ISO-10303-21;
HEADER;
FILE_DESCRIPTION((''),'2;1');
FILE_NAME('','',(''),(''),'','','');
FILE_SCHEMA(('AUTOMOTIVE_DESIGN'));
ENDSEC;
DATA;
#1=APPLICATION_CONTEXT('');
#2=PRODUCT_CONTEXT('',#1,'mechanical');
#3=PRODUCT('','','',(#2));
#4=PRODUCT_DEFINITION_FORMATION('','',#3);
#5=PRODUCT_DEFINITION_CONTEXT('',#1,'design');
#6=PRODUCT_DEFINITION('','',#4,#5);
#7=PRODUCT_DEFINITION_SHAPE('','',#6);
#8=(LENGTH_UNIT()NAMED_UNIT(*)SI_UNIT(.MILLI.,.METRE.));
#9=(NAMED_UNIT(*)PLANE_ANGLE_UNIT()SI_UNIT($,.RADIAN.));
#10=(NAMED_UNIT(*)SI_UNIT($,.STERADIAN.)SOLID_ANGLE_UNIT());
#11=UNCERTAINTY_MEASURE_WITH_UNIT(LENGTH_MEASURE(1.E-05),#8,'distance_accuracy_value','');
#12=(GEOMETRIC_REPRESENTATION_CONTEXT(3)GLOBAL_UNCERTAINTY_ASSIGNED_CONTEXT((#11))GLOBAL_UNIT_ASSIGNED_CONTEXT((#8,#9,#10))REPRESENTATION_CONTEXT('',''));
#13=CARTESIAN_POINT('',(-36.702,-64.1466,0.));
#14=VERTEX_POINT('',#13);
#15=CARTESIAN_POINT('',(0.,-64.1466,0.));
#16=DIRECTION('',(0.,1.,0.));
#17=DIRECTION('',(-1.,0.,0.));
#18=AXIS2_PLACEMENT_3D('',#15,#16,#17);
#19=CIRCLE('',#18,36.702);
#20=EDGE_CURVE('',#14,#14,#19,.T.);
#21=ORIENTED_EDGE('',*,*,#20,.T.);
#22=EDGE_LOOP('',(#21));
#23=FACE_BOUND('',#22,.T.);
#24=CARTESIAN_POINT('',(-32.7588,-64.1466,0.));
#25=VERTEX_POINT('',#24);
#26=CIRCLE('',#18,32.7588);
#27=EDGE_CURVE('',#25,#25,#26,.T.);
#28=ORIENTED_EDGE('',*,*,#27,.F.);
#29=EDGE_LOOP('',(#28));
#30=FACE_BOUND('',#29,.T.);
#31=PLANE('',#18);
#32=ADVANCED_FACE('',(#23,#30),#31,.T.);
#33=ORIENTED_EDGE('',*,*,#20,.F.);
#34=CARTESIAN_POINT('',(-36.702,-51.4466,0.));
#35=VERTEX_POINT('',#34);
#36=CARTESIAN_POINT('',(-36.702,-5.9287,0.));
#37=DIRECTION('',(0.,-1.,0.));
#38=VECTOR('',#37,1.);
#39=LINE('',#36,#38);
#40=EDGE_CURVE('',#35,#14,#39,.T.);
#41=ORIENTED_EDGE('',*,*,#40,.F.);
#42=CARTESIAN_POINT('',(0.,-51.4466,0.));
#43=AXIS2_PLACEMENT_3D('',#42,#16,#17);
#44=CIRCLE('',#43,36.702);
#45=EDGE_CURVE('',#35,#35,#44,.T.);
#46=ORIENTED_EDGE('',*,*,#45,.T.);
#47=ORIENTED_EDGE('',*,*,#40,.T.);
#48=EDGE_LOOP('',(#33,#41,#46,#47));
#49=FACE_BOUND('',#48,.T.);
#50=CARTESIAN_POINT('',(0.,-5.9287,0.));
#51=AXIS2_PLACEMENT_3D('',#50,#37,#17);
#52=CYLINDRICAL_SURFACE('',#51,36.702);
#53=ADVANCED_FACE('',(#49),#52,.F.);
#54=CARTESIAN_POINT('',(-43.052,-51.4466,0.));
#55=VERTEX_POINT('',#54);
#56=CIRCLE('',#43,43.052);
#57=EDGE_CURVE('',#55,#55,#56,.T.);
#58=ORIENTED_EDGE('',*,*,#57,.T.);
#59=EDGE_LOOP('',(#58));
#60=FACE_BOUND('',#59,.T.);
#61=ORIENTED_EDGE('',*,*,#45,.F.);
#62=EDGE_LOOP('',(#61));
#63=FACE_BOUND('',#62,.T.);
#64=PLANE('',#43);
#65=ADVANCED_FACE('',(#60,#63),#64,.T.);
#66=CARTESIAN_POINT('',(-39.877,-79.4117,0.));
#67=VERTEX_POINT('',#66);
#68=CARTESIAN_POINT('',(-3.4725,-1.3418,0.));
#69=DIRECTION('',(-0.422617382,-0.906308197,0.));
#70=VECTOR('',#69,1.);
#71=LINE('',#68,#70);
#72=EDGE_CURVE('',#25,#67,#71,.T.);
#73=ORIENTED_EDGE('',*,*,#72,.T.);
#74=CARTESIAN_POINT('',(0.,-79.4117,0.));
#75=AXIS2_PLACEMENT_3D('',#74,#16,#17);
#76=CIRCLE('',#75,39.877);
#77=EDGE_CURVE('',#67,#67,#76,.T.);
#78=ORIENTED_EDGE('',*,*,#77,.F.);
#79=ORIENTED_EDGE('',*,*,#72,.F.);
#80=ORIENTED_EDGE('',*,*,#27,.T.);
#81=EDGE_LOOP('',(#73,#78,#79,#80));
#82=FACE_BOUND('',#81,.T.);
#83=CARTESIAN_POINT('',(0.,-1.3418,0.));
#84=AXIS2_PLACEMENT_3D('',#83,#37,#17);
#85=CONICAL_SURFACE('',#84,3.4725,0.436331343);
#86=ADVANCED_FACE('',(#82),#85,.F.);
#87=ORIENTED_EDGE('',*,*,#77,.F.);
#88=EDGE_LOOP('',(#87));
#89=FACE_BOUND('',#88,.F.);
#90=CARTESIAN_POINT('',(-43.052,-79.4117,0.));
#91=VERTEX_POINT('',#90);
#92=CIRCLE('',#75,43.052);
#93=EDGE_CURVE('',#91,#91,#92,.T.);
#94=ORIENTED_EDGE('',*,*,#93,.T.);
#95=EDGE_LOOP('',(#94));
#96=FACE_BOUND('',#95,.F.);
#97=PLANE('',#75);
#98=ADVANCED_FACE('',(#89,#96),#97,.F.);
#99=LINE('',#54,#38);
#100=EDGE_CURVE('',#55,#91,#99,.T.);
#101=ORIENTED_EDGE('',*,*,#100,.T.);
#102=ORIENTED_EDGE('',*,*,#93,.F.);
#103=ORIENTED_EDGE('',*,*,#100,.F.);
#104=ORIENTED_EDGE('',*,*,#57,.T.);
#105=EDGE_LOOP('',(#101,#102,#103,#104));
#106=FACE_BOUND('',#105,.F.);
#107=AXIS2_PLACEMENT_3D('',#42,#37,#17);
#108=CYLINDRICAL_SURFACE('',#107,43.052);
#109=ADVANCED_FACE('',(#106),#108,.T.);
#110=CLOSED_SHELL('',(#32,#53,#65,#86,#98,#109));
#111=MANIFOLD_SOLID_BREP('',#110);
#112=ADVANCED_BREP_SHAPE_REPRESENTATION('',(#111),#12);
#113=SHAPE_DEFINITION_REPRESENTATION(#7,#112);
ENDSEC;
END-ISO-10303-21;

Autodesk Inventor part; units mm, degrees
ref_plane "YZ Plane" through (0, 0, 0) normal (1, 0, 0) x (0, 1, 0)
ref_plane "XZ Plane" through (0, 0, 0) normal (0, 1, 0) x (-1, 0, 0)
ref_plane "XY Plane" through (0, 0, 0) normal (0, 0, 1) x (1, 0, 0)
sketch "Sketch1" plane through (0, 0, 0) normal (0, 0, 1) x (1, 0, 0)
  line L0 (-24.002, 6.35) -> (-17.7813, 6.35)
  line L1 (-43.052, 13.1213) -> (-5.5282, 3.0668)
  line L2 (-3.4725, -1.3418) -> (-39.877, -79.4117)
  line L3 (-17.652, -31.75) -> (-24.002, -31.75)
  line L4 (-24.002, -31.75) -> (-24.002, 6.35)
  arc A0 (-3.4725, -1.3418) -> (-5.5282, 3.0668) centre (-6.35, 0) ccw
  line L5 (-30.352, 0.4213) -> (-30.352, -52.1764)
  line L6 (-30.352, -52.1764) -> (-27.177, -52.1764)
  line L7 (-30.352, 0.4213) -> (-43.052, 0.4213)
  line L8 (-43.052, 0.4213) -> (-43.052, 5.1238)
  line L9 (-43.052, 5.1238) -> (-43.052, 13.1213)
  line L10 (-43.052, 0.4213) -> (-43.052, -5.9287)
  line L11 (-43.052, -5.9287) -> (-36.702, -5.9287)
  line L12 (-36.702, -5.9287) -> (-36.702, -64.1466)
  line L13 (-36.702, -64.1466) -> (-32.7588, -64.1466)
  line L14 (-39.877, -5.9287) -> (-39.877, -9.1037)
  line L15 (-39.877, -9.1037) -> (-43.052, -9.1037)
  line L16 (-43.052, -9.1037) -> (-43.052, -21.8037)
  line L17 (-43.052, -21.8037) -> (-36.702, -21.8037)
  line L18 (-43.052, -51.4466) -> (-43.052, -79.4117)
  line L19 (-43.052, -51.4466) -> (-36.702, -51.4466)
  line L20 (-43.052, -79.4117) -> (-39.877, -79.4117)
  line L21 (0, -97.9183) -> (0, 31.6279) projected
  line L22 (-30.352, -6.35) -> (-24.002, -6.35)
  point P0 (0, 0)
  dimension "d0" = 6.35
  dimension "d1" = 25
  dimension "d2" = 15
  dimension "d4" = 6.35
  dimension "d5" = 38.1
  dimension "d6" = 31.75
  dimension "d7" = 6.35
  dimension "d11" = 6.35
  dimension "d13" = 12.7
  dimension "d15" = 6.35
  dimension "d16" = 6.35
  dimension "d18" = 3.175
  dimension "d19" = 12.7
  dimension "d20" = 3.175
  dimension "d21" = 6.35
  dimension "d22" = 3.175
  dimension "d23" = 3.175
  dimension "d24" = 6.35
  dimension "d25" = 12.7
  dimension "d26" = 58.2179
  dimension "d27" = 12.7
  dimension "d29" = 12.7
revolve "Revolution3" add sketch "Sketch1" angle 360 about axis through (0, -10, 0) along (0, 1, 0) contours L2 L20 L18 L19 L12 L13
properties part number "aluminum_skirt" material "Aluminum 6061"
